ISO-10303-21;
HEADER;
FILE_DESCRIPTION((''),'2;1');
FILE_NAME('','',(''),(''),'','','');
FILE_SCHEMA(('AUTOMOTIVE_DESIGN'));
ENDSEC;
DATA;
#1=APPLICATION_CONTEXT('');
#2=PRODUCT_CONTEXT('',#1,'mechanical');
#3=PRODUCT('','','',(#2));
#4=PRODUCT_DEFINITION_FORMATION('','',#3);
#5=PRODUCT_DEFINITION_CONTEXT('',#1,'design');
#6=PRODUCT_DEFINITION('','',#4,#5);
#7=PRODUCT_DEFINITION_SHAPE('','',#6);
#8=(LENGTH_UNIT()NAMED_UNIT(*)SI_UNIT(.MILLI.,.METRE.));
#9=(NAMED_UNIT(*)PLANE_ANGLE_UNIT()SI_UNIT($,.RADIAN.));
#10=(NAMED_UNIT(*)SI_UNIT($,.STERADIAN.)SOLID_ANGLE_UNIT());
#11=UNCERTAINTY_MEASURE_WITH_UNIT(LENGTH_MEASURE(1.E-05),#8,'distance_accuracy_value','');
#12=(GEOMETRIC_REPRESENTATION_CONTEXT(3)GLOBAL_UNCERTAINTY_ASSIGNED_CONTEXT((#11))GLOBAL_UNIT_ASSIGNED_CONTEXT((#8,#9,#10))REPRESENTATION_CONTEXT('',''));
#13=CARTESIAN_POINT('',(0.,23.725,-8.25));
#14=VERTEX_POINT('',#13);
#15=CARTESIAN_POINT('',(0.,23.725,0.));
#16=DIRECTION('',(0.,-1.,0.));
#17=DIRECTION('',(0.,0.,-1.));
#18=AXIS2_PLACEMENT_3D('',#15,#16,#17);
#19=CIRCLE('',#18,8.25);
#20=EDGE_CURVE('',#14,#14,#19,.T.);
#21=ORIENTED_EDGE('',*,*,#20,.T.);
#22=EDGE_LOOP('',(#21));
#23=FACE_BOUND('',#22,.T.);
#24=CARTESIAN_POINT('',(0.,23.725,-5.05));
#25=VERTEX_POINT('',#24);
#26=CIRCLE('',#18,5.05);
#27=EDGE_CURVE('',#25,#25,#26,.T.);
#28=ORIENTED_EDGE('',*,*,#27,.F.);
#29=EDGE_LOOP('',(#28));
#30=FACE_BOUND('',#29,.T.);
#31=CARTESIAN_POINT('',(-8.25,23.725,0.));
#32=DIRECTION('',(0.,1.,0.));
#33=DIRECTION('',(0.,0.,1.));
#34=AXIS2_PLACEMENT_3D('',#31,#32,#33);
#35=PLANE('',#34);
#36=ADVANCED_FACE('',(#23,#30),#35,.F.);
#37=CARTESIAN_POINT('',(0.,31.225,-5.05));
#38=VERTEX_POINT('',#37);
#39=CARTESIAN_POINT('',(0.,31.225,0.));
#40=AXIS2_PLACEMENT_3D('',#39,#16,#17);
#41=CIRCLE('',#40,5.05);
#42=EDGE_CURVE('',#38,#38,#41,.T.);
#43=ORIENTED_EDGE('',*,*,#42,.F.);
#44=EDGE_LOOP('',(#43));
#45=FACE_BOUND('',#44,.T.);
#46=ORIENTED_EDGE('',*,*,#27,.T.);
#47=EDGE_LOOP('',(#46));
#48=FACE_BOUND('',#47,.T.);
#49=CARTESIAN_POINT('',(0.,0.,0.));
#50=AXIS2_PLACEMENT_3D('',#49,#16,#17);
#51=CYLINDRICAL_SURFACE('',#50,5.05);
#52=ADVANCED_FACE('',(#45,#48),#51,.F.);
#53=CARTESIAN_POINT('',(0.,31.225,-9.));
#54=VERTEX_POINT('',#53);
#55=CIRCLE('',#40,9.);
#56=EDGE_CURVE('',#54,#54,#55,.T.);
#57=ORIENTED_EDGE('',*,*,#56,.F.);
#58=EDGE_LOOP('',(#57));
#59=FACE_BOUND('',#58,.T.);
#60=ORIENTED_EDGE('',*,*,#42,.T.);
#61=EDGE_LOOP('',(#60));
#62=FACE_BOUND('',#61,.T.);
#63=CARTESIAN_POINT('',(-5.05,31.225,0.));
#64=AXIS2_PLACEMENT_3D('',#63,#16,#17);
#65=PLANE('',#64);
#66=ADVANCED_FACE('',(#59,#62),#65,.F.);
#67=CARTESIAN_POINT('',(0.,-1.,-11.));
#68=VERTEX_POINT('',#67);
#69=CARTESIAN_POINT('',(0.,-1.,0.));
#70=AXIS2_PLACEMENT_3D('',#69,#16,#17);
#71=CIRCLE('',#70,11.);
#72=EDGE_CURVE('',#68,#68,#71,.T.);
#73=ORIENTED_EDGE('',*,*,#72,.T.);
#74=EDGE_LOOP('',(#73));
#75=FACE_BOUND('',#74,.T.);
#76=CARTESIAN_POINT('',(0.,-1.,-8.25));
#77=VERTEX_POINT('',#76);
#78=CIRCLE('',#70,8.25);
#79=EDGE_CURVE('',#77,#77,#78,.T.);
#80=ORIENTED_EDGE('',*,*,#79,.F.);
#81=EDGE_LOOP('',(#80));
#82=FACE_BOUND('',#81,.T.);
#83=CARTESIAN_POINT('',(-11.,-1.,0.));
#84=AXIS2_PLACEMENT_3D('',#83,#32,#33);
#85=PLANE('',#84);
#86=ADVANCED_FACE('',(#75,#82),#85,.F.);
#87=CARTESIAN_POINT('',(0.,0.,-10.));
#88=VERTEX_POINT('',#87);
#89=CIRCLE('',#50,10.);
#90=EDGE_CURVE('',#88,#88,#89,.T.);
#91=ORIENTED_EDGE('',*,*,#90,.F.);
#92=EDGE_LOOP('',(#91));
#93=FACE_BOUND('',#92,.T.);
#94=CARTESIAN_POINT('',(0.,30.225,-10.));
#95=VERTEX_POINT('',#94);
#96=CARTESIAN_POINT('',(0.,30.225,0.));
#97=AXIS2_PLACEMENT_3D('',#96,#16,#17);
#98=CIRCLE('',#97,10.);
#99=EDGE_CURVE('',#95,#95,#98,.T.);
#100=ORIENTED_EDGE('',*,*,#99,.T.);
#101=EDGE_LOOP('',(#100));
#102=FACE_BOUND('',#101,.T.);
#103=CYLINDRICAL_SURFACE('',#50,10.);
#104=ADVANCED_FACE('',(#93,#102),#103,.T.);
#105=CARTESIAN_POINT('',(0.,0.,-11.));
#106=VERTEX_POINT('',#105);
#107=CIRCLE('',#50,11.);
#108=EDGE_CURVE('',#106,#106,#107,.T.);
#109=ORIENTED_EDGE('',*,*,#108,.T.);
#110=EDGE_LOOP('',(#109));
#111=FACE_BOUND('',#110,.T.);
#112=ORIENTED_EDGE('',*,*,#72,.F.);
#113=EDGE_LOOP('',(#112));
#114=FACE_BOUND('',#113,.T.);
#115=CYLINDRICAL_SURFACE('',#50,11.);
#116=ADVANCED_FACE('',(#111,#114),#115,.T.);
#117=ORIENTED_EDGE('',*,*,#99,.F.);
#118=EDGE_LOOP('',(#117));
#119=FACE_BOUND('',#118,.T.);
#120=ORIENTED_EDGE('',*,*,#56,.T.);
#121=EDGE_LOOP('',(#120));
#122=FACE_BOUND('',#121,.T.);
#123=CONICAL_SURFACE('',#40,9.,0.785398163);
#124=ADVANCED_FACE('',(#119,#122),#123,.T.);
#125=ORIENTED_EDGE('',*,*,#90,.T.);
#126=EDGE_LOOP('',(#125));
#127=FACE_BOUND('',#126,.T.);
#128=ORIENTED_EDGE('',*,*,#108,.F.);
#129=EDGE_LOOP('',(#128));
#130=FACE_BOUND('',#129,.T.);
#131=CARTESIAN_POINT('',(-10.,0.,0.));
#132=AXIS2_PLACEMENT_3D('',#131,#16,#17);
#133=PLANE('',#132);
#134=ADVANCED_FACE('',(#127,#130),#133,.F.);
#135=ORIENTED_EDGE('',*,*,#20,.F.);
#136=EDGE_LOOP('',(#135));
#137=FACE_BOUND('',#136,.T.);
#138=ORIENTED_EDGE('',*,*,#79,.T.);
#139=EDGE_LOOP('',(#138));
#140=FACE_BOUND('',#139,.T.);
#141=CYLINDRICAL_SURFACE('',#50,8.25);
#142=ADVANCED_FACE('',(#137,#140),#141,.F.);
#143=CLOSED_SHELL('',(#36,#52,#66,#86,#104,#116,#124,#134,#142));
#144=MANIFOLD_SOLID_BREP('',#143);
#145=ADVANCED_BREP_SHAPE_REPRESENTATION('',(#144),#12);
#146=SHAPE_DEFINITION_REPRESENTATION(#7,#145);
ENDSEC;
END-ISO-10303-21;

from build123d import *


with BuildPart() as part:
    # Sketch1 → Revolve1 (revolve)
    with BuildSketch(Plane.XY):
        Polygon((-10, 0), (-11, 0), (-11, -1), (-8.25, -1), (-8.25, 23.725), (-5.05, 23.725), (-5.05, 31.225), (-9, 31.225), (-10, 30.225), align=None)
    revolve(axis=Axis((0, 0, 0), (0, 1, 0)))


solid = part.part
